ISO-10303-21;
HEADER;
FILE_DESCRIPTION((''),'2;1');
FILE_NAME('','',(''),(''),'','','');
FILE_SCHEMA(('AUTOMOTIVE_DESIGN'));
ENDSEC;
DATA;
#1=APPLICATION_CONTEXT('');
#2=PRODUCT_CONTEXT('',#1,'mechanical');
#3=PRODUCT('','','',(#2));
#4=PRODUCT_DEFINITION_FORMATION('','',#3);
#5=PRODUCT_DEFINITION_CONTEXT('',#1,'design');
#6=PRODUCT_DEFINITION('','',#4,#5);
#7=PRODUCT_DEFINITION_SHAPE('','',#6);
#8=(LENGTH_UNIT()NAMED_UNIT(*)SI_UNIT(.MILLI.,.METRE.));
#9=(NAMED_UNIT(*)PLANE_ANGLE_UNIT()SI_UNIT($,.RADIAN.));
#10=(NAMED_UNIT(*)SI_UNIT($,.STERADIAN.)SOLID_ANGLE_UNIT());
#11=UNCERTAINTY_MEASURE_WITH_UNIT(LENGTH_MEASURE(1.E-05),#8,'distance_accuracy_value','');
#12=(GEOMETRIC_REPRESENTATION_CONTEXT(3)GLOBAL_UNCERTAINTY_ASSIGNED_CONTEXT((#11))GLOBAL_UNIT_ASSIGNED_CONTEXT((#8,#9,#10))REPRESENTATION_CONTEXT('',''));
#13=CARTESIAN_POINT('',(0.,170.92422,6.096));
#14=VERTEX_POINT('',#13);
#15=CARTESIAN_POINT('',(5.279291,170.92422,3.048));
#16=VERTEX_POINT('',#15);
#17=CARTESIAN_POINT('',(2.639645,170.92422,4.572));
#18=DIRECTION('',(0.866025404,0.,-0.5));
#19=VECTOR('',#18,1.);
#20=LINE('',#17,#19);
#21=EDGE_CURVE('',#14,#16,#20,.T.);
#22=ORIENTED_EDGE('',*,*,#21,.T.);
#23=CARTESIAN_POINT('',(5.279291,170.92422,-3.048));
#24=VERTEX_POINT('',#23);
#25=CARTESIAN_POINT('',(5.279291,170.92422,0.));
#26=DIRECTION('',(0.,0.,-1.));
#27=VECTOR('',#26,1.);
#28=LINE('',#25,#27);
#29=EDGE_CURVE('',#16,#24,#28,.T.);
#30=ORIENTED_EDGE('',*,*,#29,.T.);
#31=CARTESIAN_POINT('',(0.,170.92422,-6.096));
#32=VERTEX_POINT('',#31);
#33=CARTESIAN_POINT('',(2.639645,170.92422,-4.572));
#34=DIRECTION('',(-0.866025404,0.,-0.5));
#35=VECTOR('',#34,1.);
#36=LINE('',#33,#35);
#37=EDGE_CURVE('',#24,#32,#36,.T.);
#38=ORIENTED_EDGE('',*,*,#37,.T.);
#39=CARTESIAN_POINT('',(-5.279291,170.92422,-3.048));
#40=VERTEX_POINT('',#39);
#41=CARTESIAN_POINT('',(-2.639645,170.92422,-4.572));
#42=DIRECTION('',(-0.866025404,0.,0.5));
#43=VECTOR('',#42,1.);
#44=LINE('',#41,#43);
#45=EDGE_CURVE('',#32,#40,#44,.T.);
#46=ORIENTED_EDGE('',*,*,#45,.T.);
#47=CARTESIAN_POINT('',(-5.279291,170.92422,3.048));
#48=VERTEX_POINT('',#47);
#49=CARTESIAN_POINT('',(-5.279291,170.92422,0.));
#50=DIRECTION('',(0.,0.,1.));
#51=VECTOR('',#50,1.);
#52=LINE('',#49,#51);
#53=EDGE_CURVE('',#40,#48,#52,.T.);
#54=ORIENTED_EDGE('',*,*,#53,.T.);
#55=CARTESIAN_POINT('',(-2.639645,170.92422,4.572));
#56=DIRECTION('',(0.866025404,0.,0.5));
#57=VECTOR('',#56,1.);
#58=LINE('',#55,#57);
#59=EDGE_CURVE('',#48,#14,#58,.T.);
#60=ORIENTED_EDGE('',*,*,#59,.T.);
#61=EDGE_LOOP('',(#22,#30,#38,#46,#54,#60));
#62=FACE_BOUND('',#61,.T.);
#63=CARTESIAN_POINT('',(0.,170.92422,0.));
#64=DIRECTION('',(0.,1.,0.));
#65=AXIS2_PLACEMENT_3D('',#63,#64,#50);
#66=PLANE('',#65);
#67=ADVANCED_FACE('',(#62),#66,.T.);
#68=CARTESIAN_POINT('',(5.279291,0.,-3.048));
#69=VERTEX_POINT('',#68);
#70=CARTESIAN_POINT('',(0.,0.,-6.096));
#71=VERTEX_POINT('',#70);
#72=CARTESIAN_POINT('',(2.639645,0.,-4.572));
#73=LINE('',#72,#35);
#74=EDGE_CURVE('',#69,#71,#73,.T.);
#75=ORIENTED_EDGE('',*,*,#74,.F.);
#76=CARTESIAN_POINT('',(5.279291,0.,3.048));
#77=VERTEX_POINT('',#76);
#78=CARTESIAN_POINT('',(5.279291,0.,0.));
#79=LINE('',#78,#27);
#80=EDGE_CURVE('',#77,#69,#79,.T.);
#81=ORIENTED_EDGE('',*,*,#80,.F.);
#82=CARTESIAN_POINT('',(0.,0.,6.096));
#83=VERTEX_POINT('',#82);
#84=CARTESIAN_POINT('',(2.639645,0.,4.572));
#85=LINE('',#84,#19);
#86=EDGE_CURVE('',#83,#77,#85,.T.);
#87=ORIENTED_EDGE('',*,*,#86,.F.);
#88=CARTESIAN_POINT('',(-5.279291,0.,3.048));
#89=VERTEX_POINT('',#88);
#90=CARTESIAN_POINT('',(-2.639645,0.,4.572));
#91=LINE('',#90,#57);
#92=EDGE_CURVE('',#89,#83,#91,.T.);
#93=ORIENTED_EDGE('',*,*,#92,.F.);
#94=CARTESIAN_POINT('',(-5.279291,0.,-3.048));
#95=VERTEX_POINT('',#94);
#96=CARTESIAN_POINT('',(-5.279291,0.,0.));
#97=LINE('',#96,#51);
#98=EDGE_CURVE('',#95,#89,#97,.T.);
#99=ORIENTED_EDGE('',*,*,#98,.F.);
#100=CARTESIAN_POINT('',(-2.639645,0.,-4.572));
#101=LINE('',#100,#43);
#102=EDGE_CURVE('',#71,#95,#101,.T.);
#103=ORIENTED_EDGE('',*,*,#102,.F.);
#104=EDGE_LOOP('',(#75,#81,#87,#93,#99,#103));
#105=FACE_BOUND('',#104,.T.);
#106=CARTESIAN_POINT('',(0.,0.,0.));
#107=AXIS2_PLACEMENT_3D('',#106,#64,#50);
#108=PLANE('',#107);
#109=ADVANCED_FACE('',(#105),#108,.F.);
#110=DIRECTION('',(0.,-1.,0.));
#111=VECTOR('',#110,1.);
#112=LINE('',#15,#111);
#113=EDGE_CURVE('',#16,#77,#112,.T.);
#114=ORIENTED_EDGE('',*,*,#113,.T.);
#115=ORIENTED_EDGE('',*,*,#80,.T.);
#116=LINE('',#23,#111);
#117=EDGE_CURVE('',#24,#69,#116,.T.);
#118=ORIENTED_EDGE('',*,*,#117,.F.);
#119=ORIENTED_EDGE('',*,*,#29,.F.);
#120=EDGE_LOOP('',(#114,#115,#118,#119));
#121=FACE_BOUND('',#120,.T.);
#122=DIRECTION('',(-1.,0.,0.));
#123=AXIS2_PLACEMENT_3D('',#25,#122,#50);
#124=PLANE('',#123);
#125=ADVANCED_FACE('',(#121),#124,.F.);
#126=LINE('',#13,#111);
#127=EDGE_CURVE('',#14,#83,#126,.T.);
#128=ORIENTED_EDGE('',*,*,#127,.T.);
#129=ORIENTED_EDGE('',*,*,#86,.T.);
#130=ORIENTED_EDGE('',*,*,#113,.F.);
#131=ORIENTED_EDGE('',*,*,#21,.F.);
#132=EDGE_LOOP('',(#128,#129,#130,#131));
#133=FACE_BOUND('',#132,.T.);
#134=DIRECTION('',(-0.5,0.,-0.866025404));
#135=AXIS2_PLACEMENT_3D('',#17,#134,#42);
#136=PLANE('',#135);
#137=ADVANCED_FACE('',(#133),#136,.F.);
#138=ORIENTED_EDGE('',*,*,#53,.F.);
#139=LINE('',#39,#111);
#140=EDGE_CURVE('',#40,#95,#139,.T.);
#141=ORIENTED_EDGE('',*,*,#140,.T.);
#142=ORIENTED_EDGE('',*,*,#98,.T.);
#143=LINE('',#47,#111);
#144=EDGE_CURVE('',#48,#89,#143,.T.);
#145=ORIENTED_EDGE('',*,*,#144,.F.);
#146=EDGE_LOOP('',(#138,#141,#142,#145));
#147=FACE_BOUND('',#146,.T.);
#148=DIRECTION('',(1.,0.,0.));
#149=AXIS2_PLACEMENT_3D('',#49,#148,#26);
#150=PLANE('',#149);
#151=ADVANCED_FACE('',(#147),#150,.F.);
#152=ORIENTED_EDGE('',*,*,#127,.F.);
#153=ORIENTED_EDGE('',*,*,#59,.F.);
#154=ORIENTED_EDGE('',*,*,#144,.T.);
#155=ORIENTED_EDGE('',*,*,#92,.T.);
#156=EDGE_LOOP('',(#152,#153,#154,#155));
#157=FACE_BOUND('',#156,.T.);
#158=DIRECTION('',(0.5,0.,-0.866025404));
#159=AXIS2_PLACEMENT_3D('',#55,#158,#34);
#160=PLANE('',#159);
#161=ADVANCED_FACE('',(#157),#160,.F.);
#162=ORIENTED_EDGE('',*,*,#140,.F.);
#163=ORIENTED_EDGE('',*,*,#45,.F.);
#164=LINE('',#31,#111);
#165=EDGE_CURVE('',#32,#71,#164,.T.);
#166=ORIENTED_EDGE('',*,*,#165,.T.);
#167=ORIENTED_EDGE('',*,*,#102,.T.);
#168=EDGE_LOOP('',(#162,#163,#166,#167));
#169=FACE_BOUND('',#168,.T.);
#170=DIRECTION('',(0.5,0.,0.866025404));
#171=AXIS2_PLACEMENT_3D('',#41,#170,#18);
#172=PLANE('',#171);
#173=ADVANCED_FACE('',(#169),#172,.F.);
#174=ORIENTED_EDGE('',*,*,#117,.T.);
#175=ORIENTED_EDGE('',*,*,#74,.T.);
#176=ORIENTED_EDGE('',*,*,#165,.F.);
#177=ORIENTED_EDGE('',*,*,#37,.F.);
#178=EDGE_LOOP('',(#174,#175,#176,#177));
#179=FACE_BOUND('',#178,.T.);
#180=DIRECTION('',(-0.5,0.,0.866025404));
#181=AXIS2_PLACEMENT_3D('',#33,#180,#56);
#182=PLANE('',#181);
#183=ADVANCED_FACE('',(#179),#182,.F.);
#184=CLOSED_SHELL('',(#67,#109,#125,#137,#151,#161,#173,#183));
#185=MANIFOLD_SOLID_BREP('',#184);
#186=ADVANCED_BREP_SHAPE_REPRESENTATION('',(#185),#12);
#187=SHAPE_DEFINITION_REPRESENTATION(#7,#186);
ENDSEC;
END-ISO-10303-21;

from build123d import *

# Parameters (mm, degrees)
BOSS_EXTRUDE1_DEPTH = 170.92422


with BuildPart() as part:
    # Sketch1 → Boss-Extrude1 (new body)
    with BuildSketch(Plane(origin=(0, 0, 0), x_dir=(1, 0, 0), z_dir=(0, 1, 0))):
        Polygon((-5.279290861, -3.048), (0, -6.096), (5.279290861, -3.048), (5.279290861, 3.048), (0, 6.096), (-5.279290861, 3.048), align=None)
    extrude(amount=BOSS_EXTRUDE1_DEPTH)


solid = part.part
